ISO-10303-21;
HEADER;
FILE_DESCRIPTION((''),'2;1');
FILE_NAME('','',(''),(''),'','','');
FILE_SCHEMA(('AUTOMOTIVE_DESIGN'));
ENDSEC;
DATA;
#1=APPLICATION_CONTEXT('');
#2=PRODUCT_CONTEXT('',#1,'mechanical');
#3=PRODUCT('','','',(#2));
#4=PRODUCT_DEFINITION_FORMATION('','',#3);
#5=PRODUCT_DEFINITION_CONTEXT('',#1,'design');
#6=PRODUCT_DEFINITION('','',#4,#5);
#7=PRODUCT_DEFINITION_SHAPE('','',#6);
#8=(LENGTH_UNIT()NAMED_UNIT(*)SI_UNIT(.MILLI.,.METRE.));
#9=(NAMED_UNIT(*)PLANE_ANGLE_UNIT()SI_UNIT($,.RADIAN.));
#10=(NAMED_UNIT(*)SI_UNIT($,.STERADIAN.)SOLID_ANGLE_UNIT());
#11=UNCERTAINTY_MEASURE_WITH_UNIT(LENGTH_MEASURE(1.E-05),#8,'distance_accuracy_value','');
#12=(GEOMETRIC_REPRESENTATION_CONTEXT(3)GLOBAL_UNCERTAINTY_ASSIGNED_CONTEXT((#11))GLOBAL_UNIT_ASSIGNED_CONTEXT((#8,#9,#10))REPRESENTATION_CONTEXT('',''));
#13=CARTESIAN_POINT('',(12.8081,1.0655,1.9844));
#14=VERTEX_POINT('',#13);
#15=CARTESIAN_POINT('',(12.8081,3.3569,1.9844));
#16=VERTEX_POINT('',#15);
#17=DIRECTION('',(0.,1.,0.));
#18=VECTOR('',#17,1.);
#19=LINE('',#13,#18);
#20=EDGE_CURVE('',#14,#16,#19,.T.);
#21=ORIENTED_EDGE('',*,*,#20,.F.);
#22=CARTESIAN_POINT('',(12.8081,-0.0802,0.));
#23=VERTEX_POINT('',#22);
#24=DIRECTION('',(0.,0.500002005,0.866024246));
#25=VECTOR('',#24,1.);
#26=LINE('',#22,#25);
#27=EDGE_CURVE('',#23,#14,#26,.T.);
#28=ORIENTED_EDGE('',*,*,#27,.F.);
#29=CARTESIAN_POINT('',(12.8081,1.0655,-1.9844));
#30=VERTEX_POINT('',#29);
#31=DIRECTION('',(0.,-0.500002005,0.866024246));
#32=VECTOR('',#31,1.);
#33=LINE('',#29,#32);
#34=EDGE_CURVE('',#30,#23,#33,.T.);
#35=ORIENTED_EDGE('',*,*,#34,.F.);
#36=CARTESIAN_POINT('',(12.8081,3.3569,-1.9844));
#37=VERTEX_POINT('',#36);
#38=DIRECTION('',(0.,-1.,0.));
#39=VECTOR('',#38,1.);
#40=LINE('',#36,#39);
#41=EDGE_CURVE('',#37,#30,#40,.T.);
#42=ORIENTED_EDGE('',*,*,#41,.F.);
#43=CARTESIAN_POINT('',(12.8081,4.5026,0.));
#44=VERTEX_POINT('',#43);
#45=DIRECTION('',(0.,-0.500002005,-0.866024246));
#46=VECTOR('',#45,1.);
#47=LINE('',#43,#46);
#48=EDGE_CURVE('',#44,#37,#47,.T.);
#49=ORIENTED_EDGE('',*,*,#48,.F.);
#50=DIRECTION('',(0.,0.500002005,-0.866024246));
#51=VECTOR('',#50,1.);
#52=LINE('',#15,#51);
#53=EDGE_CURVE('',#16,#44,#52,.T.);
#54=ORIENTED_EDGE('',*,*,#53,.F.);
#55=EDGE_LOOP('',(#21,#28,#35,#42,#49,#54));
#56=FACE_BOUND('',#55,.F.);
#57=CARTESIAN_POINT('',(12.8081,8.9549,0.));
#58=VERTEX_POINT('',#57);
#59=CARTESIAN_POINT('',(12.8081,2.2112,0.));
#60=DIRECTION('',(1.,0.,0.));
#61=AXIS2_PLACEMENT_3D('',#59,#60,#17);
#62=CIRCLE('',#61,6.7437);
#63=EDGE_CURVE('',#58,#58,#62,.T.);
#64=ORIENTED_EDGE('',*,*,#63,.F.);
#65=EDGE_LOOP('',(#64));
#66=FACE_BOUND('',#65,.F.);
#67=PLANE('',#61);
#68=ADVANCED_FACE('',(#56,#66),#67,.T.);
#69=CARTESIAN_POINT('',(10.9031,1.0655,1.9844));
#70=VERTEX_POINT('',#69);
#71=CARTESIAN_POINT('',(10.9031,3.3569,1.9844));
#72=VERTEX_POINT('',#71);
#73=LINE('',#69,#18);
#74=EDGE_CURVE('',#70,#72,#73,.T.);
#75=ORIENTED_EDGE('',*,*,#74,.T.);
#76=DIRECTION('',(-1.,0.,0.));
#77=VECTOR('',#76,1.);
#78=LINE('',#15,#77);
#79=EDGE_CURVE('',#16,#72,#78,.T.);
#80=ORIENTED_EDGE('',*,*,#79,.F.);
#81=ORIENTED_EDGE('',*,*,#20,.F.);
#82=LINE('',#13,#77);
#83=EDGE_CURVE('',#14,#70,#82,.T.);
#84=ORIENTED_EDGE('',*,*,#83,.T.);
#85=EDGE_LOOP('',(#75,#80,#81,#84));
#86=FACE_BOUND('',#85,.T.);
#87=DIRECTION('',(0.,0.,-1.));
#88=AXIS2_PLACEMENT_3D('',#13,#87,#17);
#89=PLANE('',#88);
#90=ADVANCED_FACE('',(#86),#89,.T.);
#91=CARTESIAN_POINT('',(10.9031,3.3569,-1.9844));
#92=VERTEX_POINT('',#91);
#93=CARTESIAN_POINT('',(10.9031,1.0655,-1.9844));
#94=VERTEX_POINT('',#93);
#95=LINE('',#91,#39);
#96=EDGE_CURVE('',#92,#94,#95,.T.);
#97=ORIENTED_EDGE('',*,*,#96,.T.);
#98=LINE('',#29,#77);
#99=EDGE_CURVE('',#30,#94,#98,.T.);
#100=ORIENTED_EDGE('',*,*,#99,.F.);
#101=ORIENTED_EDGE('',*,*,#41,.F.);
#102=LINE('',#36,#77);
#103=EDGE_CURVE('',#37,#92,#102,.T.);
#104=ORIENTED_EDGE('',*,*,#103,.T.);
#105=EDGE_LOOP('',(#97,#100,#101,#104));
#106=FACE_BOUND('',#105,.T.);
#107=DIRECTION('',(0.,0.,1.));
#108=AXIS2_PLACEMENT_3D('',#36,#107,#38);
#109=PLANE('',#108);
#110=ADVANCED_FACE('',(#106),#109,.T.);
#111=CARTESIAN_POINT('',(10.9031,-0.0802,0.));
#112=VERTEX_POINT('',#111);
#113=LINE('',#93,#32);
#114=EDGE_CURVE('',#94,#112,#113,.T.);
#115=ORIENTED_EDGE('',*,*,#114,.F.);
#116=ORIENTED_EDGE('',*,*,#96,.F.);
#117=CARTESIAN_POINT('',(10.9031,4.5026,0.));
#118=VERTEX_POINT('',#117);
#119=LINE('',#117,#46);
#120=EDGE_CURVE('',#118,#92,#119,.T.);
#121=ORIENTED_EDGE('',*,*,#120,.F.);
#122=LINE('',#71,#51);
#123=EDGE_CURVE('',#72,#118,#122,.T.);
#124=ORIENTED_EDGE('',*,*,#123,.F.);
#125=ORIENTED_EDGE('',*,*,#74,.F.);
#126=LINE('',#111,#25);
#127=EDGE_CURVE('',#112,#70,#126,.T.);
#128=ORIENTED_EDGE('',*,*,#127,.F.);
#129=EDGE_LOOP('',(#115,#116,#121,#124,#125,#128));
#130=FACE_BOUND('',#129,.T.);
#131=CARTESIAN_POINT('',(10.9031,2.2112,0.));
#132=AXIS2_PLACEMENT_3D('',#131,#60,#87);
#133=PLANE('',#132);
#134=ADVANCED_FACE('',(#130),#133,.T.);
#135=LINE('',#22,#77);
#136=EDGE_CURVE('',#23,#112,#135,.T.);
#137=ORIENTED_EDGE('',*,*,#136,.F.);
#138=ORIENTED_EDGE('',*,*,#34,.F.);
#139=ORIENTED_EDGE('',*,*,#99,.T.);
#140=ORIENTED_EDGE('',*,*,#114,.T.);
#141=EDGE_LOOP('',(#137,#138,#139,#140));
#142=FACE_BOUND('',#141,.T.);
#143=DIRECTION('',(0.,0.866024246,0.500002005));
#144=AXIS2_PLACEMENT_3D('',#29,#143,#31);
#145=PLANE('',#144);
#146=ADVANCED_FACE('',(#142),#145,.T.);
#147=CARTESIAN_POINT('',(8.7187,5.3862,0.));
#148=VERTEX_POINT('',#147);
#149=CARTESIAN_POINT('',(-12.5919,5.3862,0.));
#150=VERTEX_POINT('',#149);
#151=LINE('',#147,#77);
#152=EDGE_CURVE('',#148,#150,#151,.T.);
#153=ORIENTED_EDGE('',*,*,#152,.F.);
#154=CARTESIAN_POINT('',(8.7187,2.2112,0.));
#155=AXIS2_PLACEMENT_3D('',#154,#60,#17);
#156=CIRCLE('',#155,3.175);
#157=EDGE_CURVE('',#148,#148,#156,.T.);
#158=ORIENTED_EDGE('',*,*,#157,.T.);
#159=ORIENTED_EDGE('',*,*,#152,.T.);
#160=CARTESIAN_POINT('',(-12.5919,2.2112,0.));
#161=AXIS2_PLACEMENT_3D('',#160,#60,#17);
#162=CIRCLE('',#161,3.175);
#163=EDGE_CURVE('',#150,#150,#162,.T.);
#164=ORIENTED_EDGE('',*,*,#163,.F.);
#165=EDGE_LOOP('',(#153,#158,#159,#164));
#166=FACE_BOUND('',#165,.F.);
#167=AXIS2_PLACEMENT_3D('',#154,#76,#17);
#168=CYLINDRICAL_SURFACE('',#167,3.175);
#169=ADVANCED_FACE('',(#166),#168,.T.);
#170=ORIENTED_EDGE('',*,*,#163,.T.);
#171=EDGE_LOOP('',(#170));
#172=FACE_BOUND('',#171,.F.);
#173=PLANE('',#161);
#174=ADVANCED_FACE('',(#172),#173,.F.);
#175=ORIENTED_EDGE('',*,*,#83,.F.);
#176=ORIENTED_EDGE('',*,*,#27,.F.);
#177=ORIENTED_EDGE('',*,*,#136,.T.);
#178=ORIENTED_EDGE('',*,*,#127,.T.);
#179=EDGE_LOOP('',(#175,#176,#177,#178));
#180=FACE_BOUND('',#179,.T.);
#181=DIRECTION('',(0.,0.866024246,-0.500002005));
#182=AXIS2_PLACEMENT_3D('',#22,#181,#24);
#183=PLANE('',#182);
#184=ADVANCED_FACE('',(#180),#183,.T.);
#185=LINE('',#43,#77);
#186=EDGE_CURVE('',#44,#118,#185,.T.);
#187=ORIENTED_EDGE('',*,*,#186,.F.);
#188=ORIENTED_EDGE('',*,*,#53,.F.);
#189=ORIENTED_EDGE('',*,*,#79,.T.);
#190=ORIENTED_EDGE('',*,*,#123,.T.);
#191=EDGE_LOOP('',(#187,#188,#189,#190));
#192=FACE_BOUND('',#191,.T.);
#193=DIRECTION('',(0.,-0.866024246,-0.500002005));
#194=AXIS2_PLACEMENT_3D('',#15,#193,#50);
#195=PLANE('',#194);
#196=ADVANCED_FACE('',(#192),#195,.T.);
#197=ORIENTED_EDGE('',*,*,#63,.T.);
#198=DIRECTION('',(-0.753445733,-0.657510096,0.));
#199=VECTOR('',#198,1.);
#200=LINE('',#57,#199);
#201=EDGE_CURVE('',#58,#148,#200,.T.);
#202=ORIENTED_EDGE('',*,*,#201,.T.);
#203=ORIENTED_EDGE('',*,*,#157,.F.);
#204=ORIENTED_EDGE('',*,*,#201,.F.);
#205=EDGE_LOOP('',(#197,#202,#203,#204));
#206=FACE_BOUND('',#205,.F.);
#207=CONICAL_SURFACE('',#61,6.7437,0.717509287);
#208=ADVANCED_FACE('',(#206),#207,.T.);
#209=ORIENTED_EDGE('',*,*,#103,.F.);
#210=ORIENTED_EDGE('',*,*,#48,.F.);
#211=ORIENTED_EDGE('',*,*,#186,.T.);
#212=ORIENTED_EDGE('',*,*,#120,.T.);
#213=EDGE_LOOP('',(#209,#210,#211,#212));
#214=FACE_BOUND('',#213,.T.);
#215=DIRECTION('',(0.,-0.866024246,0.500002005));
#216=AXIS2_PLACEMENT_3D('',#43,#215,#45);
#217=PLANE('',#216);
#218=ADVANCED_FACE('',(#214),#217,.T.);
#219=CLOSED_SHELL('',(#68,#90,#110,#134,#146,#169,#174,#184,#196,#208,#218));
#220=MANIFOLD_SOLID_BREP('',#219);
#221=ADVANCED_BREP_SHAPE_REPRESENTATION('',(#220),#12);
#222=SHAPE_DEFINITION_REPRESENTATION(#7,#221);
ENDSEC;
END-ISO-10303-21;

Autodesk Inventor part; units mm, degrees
ref_plane "YZ Plane" through (0, 0, 0) normal (1, 0, 0) x (0, 1, 0)
ref_plane "XZ Plane" through (0, 0, 0) normal (0, 1, 0) x (-1, 0, 0)
ref_plane "XY Plane" through (0, 0, 0) normal (0, 0, 1) x (1, 0, 0)
sketch "Sketch1" plane through (0, 0, 0) normal (0, 0, 1) x (1, 0, 0)
  line L0 (-12.5919, 2.2112) -> (12.8081, 2.2112)
  line L1 (12.8081, 2.2112) -> (12.8081, 8.9549)
  line L2 (12.8081, 8.9549) -> (8.7187, 5.3862)
  line L3 (8.7187, 5.3862) -> (-12.5919, 5.3862)
  line L4 (-12.5919, 5.3862) -> (-12.5919, 2.2112)
  dimension "d0" = 3.175
  dimension "d2" = 4.0894
  dimension "d3" = 6.7437
  dimension "d19" = 25.4
revolve "Revolution1" add sketch "Sketch1" angle 360 about axis through (-12.5919, 2.2112, 0) along (1, 0, 0)
thread "Thread1" size "1/4-20 UNC" class "2A" standard "ANSI Unified Screw Threads" full length
sketch "Sketch2" plane through (12.8081, 2.2112, 0) normal (1, 0, 0) x (0, 0, -1)
  circle A0 centre (0, 0) radius 6.7437 projected
  line L0 (0, -2.2914) -> (-1.9844, -1.1457)
  line L1 (-1.9844, -1.1457) -> (-1.9844, 1.1457)
  line L2 (-1.9844, 1.1457) -> (0, 2.2914)
  line L3 (0, 2.2914) -> (1.9844, 1.1457)
  line L4 (1.9844, 1.1457) -> (1.9844, -1.1457)
  line L5 (1.9844, -1.1457) -> (0, -2.2914)
  dimension "d16" = 3.9688
extrude "Extrusion1" cut sketch "Sketch2" against normal blind 1.905 contours L0 L1 L2 L3 L4 L5
properties part number "HW-00074"
